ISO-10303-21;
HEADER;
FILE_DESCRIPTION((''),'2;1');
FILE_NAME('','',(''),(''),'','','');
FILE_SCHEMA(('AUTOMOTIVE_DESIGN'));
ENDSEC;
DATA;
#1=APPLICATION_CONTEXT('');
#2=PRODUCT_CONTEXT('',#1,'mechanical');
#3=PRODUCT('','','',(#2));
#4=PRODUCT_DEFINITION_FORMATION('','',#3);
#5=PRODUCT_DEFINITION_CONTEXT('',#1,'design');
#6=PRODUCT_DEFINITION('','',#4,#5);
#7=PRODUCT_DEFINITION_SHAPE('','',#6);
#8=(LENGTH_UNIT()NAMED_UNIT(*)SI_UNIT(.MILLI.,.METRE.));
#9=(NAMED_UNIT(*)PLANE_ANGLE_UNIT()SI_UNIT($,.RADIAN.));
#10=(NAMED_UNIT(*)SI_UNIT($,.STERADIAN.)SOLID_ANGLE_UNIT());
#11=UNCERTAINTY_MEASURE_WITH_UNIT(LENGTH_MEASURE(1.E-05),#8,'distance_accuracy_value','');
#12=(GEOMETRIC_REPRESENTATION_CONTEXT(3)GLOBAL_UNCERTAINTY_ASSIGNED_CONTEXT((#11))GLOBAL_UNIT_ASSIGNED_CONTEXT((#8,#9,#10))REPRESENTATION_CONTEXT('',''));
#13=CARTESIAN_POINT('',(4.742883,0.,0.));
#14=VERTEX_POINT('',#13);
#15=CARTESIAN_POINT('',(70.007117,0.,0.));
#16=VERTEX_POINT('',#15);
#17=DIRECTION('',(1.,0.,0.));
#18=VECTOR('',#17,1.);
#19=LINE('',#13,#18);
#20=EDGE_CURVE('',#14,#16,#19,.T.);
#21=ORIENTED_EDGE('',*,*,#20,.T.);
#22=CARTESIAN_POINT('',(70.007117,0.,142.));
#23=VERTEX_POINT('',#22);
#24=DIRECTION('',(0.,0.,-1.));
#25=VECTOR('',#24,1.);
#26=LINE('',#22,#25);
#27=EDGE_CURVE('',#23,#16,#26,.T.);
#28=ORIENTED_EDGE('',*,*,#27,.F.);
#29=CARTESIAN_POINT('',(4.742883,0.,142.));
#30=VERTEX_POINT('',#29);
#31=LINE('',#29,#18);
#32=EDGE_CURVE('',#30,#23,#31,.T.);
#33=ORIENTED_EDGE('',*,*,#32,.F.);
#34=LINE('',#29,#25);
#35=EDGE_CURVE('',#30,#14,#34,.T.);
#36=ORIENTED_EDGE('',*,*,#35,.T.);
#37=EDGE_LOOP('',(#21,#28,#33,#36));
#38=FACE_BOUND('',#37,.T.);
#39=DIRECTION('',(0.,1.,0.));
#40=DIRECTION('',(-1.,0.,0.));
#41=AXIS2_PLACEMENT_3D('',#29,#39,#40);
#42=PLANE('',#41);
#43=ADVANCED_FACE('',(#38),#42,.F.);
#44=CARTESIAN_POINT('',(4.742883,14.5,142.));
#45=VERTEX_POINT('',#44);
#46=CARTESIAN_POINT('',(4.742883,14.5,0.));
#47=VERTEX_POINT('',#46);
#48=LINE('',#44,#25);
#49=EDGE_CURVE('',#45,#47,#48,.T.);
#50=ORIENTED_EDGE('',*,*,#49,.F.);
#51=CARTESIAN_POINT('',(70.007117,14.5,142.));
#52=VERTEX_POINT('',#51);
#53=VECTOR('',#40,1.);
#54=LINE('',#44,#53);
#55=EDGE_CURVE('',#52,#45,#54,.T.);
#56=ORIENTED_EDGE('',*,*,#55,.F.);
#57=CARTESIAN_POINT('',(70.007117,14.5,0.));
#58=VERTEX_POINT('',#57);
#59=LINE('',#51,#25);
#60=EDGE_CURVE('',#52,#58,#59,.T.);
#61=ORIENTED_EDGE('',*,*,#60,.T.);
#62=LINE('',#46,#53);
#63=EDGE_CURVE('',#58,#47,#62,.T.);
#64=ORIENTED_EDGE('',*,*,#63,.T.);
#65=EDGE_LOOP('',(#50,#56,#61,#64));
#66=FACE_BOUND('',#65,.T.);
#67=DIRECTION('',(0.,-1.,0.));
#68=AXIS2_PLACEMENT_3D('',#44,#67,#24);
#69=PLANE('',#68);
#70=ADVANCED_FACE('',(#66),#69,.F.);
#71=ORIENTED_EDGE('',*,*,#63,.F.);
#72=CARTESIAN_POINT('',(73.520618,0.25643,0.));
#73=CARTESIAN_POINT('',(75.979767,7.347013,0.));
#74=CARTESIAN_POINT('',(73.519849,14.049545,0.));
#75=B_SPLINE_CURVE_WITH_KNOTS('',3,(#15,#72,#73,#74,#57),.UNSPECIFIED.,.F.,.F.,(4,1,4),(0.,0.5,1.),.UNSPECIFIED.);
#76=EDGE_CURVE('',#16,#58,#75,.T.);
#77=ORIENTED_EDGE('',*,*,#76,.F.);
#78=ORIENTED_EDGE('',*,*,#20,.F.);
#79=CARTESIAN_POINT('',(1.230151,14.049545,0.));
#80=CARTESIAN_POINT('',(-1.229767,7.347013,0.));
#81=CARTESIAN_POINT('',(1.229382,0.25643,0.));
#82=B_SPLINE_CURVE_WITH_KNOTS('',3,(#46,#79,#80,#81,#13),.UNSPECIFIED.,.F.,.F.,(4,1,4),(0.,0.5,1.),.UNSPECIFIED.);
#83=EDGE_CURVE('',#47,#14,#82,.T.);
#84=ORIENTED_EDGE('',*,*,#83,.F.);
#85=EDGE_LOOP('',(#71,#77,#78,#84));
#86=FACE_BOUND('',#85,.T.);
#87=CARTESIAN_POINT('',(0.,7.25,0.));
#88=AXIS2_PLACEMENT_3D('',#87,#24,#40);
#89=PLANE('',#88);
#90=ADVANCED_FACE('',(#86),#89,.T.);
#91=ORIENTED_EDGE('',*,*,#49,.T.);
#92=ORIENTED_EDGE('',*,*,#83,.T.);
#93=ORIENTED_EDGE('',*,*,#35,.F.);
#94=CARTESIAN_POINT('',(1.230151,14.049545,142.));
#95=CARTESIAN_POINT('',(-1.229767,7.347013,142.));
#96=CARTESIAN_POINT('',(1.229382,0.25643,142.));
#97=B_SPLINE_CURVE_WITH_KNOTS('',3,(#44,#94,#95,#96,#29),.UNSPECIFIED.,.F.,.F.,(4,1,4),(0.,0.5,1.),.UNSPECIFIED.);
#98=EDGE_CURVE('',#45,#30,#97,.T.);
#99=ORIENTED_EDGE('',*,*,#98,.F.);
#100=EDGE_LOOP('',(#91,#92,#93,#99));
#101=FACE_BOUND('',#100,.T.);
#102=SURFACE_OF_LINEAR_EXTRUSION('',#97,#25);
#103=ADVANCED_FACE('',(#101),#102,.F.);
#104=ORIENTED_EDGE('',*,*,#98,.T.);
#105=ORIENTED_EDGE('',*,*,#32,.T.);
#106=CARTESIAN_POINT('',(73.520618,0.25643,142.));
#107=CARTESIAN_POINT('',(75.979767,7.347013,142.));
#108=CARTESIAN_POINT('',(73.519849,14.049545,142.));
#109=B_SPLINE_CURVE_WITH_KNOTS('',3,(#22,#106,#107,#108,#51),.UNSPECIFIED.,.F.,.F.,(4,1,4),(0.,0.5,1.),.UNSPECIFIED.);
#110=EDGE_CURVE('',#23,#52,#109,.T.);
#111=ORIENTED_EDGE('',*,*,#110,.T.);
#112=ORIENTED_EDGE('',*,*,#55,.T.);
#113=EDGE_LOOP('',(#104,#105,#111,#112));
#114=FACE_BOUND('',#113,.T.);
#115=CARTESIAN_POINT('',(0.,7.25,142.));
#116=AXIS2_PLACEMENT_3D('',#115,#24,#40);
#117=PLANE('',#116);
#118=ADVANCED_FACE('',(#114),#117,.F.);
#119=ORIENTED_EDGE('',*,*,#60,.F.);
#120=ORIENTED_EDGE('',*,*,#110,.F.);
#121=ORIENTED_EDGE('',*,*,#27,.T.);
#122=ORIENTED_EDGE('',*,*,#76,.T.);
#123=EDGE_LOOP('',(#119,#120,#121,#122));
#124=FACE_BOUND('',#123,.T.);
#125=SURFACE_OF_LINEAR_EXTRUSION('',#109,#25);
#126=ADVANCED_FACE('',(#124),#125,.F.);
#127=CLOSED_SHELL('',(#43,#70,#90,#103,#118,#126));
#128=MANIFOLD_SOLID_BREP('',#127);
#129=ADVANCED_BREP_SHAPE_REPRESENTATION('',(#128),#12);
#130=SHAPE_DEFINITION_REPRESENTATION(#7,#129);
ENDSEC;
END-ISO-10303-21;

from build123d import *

# Parameters (mm, degrees)
BOSS_EXTRUDE1_DEPTH = 142


with BuildPart() as part:
    # Sketch1 → Boss-Extrude1 (new body)
    with BuildSketch(Plane.XY):
        with BuildLine():
            Line((4.742883085, 0), (70.007116915, 0))
            add(Edge.make_bspline(
                [(70.007116915, 14.5), (73.519848558, 14.04954467), (75.979766631, 7.347012858), (73.520618179, 0.256429615), (70.007116915, 0)],
                knots=[0, 0, 0, 0, 0.5, 1, 1, 1, 1], degree=3))
            Line((70.007116915, 14.5), (4.742883085, 14.5))
            add(Edge.make_bspline(
                [(4.742883085, 14.5), (1.230151442, 14.04954467), (-1.229766631, 7.347012858), (1.229381821, 0.256429615), (4.742883085, 0)],
                knots=[0, 0, 0, 0, 0.5, 1, 1, 1, 1], degree=3))
        make_face()
    extrude(amount=BOSS_EXTRUDE1_DEPTH)


solid = part.part
